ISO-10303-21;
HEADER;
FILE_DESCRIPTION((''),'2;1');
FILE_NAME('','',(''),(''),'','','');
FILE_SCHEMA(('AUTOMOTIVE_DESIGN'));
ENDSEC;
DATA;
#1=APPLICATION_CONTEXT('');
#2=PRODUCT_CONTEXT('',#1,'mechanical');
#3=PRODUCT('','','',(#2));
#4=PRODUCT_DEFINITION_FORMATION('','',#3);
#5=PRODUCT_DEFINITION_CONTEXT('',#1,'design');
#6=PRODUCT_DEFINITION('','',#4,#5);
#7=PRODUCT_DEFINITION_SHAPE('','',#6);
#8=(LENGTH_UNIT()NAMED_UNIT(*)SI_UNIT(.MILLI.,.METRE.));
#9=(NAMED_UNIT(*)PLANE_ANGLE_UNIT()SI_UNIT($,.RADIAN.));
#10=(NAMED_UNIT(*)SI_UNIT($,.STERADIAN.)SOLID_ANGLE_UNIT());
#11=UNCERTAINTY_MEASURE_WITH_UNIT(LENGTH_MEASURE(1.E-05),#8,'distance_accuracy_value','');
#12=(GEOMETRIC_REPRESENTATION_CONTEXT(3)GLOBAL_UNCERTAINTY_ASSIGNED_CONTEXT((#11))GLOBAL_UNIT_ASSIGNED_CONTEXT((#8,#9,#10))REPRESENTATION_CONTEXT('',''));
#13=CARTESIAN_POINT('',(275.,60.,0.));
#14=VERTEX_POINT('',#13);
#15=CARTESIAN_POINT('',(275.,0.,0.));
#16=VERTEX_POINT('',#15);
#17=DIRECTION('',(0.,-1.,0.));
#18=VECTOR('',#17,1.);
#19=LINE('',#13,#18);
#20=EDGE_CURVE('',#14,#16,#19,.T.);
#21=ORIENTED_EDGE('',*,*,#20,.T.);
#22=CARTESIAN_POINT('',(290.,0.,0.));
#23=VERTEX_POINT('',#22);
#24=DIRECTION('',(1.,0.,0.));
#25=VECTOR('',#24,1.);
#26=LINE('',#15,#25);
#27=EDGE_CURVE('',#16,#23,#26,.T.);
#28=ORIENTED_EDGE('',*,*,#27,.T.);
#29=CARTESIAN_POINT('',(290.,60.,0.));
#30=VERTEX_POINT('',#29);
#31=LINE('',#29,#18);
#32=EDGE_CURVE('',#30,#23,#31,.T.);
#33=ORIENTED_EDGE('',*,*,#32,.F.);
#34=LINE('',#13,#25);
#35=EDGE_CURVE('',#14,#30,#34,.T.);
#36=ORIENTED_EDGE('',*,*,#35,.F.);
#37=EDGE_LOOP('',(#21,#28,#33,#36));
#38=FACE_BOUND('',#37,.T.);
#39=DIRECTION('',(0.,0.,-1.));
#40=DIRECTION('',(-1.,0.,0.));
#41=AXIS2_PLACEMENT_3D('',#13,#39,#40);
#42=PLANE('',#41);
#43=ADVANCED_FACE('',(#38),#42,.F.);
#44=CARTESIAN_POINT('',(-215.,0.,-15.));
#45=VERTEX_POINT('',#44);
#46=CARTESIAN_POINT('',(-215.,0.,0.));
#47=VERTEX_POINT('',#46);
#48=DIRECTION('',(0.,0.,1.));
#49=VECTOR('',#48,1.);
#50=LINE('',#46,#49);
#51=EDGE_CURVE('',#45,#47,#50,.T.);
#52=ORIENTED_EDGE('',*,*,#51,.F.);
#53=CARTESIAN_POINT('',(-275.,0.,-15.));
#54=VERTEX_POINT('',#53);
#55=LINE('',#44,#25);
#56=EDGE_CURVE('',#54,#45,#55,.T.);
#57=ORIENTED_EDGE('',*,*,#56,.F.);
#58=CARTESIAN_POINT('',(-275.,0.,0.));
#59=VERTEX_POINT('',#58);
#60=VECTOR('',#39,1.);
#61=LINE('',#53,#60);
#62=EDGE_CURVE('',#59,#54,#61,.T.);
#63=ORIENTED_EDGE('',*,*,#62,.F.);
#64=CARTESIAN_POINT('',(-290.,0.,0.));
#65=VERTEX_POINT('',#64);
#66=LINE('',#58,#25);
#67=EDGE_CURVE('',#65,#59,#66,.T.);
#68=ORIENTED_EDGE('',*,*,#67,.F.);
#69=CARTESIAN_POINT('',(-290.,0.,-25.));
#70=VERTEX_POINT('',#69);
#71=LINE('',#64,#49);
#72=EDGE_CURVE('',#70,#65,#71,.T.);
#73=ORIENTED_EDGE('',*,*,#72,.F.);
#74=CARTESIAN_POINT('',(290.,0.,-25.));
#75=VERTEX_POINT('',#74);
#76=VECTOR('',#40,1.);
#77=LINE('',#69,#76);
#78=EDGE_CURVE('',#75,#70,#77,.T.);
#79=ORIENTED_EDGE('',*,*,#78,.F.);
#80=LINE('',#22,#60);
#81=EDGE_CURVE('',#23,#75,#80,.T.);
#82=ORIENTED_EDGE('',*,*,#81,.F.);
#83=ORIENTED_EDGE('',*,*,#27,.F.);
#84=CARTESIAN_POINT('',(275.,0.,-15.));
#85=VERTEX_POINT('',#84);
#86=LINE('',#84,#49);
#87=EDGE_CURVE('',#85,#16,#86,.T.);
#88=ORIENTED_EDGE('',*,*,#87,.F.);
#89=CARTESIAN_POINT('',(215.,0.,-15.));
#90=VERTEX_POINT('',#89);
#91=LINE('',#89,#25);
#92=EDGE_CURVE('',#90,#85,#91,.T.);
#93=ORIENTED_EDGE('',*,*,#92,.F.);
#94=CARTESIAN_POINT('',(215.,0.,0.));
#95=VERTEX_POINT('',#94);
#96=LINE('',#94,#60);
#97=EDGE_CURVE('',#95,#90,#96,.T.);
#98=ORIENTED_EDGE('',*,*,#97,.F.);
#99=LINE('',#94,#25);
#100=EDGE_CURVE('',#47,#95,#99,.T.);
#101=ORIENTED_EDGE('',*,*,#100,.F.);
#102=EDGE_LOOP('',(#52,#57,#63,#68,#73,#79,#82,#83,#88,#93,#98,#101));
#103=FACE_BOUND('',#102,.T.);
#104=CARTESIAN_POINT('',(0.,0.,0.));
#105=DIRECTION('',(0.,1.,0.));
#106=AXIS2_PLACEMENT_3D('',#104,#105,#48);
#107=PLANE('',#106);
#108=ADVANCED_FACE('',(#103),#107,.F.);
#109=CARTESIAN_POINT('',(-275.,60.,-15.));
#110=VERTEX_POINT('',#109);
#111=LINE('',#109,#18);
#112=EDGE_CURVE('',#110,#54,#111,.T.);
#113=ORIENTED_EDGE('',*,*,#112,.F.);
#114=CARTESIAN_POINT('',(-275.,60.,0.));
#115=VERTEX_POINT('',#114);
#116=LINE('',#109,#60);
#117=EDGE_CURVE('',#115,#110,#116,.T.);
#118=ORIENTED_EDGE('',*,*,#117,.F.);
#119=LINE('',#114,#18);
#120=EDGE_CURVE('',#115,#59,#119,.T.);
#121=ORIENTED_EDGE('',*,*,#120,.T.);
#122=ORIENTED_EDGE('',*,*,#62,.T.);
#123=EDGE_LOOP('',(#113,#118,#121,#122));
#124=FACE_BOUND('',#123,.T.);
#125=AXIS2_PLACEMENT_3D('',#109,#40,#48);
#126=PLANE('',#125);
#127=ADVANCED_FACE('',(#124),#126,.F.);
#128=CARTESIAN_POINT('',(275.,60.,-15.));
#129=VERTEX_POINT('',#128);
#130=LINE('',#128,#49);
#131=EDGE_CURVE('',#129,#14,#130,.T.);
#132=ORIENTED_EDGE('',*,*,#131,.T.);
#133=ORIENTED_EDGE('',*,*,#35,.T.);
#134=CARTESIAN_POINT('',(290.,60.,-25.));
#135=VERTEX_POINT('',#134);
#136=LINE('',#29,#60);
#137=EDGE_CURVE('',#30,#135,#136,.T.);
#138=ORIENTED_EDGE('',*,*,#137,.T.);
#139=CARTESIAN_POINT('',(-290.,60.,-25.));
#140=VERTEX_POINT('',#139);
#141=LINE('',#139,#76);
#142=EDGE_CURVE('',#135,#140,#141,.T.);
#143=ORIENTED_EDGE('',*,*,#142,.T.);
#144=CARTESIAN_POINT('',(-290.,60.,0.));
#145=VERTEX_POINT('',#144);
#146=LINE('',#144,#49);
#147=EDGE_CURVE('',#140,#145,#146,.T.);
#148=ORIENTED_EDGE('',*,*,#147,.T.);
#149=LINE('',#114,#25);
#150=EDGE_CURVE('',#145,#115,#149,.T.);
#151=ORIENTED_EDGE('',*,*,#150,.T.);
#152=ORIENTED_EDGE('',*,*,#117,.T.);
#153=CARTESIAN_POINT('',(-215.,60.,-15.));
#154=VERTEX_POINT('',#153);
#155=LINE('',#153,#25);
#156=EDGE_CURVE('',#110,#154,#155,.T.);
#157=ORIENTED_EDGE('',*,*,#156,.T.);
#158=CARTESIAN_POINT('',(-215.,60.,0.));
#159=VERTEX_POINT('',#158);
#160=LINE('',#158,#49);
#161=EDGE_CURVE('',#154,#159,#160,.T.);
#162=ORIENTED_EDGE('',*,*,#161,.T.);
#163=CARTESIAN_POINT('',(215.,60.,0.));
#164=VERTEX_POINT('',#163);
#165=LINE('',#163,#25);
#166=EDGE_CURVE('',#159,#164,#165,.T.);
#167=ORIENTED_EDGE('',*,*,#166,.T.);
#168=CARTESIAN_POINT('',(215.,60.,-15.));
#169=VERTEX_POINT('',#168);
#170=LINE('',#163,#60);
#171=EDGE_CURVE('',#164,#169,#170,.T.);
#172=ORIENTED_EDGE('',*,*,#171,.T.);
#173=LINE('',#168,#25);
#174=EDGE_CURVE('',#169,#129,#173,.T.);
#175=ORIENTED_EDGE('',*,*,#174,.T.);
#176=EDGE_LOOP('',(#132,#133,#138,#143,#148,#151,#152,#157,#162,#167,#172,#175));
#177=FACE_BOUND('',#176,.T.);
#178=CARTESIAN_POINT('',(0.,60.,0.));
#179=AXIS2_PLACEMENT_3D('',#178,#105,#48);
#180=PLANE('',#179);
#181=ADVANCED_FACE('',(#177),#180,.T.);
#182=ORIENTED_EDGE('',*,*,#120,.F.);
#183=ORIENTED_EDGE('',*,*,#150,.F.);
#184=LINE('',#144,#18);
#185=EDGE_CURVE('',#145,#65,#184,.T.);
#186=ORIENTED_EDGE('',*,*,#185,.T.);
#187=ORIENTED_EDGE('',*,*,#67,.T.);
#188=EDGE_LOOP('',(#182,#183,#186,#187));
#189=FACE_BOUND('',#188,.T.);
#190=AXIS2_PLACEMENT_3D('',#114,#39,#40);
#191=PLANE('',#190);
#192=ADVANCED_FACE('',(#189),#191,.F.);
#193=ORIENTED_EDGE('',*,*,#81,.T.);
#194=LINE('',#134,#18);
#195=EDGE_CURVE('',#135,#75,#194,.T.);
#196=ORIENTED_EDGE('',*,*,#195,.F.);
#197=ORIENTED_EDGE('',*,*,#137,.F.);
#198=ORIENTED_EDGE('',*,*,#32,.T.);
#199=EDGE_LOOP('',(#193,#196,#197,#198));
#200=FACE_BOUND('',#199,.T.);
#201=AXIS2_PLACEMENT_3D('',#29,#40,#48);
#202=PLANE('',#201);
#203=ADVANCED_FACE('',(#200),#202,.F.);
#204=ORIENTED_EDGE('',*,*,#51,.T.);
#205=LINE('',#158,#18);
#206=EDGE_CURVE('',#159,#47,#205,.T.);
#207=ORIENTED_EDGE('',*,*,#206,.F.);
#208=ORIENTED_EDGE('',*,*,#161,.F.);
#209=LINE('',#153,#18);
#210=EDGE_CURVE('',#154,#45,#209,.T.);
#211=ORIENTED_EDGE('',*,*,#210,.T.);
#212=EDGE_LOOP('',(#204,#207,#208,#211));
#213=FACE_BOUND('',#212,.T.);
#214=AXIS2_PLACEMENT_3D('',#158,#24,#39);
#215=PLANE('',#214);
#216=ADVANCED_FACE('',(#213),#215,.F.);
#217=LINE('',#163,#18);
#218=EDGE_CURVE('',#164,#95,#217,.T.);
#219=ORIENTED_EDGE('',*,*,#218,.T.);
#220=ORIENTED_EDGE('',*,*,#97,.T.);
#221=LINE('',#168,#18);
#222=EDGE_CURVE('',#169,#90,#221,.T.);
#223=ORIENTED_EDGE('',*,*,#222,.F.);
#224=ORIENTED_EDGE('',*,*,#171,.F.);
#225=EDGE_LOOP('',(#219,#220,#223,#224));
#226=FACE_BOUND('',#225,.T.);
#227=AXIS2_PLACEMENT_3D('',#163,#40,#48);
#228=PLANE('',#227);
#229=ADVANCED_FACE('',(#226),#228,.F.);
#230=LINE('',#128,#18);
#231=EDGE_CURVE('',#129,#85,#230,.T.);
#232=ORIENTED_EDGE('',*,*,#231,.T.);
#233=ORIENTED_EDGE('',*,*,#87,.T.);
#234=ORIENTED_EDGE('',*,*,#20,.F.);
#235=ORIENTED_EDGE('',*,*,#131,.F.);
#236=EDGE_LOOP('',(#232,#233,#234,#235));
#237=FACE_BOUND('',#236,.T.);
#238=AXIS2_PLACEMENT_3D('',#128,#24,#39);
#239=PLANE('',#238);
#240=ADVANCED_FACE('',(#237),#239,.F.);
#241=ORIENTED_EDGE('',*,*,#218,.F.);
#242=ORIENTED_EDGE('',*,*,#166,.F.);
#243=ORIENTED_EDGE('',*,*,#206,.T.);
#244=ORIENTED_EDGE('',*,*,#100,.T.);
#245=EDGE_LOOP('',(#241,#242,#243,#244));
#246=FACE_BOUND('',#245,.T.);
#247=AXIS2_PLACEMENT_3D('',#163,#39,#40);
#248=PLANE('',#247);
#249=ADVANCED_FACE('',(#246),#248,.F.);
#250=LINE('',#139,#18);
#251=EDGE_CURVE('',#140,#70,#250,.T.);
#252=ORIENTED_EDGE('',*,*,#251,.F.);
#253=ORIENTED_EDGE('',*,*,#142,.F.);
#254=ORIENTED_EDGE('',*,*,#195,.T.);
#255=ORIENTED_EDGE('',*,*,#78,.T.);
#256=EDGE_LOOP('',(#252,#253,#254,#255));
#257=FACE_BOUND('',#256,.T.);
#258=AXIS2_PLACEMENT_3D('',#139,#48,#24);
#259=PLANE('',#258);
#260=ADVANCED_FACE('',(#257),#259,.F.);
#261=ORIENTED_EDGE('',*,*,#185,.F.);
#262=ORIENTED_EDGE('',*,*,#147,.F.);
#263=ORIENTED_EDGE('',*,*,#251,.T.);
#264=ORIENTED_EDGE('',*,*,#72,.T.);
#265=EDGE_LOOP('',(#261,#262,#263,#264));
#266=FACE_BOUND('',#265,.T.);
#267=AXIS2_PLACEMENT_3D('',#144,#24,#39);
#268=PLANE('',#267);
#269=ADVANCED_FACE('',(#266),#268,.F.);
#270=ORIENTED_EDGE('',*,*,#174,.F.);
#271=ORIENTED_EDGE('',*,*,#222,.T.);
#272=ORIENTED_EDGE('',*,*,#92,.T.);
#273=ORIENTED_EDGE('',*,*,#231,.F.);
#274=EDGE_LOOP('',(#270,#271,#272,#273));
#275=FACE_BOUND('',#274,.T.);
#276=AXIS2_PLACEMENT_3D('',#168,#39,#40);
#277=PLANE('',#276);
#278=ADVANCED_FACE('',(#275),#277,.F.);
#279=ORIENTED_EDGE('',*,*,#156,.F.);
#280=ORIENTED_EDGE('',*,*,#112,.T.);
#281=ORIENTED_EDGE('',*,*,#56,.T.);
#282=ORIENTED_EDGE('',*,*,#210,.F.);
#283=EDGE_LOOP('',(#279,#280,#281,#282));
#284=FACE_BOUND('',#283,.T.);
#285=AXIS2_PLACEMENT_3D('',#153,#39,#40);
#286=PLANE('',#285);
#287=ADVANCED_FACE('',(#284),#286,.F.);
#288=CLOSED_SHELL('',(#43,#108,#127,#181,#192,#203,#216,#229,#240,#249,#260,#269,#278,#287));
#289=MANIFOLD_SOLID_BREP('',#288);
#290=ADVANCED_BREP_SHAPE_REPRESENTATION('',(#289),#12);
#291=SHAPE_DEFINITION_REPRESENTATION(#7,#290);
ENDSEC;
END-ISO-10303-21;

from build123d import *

# Parameters (mm, degrees)
EXTRUDE_1_DEPTH = 60


with BuildPart() as part:
    # Эскиз1 → Бобышка-Вытянуть1 (new body)
    with BuildSketch(Plane(origin=(0, 0, 0), x_dir=(1, 0, 0), z_dir=(0, 1, 0))):
        Polygon((215, 0), (-215, 0), (-215, 15), (-275, 15), (-275, 0), (-290, 0), (-290, 25), (290, 25), (290, 0), (275, 0), (275, 15), (215, 15), align=None)
    extrude(amount=EXTRUDE_1_DEPTH)


solid = part.part
